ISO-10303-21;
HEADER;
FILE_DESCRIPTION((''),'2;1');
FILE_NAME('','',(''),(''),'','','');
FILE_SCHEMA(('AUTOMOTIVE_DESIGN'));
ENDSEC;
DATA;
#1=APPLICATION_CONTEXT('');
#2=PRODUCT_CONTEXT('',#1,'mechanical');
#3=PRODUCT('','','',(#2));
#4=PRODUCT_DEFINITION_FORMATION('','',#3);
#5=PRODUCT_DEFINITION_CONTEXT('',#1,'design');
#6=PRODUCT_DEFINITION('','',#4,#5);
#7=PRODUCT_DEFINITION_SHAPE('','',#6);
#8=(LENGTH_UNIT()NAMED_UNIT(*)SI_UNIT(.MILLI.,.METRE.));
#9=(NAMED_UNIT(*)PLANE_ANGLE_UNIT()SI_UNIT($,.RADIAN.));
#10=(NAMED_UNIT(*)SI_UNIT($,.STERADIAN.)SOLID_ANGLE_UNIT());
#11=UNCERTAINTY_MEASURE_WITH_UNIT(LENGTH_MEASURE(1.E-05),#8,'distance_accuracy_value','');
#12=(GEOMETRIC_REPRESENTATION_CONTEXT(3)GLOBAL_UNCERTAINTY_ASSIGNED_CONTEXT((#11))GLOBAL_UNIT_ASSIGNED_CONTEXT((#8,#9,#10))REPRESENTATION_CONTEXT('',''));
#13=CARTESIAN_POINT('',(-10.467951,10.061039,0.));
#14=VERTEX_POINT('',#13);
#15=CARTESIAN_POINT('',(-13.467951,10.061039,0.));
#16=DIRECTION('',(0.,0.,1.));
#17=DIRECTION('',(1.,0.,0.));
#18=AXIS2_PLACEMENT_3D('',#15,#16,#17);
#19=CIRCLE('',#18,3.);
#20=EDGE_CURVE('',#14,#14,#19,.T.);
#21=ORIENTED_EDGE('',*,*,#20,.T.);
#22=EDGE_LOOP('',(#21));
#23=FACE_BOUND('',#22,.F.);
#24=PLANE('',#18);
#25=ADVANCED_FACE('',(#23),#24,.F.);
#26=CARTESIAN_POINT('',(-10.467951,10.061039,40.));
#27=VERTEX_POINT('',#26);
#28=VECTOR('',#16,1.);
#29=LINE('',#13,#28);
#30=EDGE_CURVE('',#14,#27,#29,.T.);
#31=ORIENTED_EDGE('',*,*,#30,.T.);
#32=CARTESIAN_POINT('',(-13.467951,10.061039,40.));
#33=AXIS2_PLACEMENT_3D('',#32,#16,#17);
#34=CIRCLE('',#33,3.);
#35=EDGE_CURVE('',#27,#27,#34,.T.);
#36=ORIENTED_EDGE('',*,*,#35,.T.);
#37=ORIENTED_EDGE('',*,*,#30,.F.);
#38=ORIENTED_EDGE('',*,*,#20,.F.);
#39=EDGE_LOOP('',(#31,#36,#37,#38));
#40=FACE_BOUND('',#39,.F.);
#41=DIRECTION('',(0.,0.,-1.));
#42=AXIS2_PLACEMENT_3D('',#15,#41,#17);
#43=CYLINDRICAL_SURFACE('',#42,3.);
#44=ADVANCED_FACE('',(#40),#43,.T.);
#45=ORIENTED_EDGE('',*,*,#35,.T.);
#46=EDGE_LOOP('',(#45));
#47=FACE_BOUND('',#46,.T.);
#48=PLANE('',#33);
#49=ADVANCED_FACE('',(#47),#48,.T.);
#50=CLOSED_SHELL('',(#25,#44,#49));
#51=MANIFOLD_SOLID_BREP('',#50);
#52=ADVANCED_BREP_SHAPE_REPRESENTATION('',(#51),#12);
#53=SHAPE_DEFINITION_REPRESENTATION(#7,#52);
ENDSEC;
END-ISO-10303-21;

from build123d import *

# Parameters (mm, degrees)
SKETCH1_R           = 3
BOSS_EXTRUDE1_DEPTH = 40


with BuildPart() as part:
    # Sketch1 → Boss-Extrude1 (new body)
    with BuildSketch(Plane.XY):
        with Locations((-13.467951043, 10.061038526)):
            Circle(SKETCH1_R)
    extrude(amount=BOSS_EXTRUDE1_DEPTH)


solid = part.part
